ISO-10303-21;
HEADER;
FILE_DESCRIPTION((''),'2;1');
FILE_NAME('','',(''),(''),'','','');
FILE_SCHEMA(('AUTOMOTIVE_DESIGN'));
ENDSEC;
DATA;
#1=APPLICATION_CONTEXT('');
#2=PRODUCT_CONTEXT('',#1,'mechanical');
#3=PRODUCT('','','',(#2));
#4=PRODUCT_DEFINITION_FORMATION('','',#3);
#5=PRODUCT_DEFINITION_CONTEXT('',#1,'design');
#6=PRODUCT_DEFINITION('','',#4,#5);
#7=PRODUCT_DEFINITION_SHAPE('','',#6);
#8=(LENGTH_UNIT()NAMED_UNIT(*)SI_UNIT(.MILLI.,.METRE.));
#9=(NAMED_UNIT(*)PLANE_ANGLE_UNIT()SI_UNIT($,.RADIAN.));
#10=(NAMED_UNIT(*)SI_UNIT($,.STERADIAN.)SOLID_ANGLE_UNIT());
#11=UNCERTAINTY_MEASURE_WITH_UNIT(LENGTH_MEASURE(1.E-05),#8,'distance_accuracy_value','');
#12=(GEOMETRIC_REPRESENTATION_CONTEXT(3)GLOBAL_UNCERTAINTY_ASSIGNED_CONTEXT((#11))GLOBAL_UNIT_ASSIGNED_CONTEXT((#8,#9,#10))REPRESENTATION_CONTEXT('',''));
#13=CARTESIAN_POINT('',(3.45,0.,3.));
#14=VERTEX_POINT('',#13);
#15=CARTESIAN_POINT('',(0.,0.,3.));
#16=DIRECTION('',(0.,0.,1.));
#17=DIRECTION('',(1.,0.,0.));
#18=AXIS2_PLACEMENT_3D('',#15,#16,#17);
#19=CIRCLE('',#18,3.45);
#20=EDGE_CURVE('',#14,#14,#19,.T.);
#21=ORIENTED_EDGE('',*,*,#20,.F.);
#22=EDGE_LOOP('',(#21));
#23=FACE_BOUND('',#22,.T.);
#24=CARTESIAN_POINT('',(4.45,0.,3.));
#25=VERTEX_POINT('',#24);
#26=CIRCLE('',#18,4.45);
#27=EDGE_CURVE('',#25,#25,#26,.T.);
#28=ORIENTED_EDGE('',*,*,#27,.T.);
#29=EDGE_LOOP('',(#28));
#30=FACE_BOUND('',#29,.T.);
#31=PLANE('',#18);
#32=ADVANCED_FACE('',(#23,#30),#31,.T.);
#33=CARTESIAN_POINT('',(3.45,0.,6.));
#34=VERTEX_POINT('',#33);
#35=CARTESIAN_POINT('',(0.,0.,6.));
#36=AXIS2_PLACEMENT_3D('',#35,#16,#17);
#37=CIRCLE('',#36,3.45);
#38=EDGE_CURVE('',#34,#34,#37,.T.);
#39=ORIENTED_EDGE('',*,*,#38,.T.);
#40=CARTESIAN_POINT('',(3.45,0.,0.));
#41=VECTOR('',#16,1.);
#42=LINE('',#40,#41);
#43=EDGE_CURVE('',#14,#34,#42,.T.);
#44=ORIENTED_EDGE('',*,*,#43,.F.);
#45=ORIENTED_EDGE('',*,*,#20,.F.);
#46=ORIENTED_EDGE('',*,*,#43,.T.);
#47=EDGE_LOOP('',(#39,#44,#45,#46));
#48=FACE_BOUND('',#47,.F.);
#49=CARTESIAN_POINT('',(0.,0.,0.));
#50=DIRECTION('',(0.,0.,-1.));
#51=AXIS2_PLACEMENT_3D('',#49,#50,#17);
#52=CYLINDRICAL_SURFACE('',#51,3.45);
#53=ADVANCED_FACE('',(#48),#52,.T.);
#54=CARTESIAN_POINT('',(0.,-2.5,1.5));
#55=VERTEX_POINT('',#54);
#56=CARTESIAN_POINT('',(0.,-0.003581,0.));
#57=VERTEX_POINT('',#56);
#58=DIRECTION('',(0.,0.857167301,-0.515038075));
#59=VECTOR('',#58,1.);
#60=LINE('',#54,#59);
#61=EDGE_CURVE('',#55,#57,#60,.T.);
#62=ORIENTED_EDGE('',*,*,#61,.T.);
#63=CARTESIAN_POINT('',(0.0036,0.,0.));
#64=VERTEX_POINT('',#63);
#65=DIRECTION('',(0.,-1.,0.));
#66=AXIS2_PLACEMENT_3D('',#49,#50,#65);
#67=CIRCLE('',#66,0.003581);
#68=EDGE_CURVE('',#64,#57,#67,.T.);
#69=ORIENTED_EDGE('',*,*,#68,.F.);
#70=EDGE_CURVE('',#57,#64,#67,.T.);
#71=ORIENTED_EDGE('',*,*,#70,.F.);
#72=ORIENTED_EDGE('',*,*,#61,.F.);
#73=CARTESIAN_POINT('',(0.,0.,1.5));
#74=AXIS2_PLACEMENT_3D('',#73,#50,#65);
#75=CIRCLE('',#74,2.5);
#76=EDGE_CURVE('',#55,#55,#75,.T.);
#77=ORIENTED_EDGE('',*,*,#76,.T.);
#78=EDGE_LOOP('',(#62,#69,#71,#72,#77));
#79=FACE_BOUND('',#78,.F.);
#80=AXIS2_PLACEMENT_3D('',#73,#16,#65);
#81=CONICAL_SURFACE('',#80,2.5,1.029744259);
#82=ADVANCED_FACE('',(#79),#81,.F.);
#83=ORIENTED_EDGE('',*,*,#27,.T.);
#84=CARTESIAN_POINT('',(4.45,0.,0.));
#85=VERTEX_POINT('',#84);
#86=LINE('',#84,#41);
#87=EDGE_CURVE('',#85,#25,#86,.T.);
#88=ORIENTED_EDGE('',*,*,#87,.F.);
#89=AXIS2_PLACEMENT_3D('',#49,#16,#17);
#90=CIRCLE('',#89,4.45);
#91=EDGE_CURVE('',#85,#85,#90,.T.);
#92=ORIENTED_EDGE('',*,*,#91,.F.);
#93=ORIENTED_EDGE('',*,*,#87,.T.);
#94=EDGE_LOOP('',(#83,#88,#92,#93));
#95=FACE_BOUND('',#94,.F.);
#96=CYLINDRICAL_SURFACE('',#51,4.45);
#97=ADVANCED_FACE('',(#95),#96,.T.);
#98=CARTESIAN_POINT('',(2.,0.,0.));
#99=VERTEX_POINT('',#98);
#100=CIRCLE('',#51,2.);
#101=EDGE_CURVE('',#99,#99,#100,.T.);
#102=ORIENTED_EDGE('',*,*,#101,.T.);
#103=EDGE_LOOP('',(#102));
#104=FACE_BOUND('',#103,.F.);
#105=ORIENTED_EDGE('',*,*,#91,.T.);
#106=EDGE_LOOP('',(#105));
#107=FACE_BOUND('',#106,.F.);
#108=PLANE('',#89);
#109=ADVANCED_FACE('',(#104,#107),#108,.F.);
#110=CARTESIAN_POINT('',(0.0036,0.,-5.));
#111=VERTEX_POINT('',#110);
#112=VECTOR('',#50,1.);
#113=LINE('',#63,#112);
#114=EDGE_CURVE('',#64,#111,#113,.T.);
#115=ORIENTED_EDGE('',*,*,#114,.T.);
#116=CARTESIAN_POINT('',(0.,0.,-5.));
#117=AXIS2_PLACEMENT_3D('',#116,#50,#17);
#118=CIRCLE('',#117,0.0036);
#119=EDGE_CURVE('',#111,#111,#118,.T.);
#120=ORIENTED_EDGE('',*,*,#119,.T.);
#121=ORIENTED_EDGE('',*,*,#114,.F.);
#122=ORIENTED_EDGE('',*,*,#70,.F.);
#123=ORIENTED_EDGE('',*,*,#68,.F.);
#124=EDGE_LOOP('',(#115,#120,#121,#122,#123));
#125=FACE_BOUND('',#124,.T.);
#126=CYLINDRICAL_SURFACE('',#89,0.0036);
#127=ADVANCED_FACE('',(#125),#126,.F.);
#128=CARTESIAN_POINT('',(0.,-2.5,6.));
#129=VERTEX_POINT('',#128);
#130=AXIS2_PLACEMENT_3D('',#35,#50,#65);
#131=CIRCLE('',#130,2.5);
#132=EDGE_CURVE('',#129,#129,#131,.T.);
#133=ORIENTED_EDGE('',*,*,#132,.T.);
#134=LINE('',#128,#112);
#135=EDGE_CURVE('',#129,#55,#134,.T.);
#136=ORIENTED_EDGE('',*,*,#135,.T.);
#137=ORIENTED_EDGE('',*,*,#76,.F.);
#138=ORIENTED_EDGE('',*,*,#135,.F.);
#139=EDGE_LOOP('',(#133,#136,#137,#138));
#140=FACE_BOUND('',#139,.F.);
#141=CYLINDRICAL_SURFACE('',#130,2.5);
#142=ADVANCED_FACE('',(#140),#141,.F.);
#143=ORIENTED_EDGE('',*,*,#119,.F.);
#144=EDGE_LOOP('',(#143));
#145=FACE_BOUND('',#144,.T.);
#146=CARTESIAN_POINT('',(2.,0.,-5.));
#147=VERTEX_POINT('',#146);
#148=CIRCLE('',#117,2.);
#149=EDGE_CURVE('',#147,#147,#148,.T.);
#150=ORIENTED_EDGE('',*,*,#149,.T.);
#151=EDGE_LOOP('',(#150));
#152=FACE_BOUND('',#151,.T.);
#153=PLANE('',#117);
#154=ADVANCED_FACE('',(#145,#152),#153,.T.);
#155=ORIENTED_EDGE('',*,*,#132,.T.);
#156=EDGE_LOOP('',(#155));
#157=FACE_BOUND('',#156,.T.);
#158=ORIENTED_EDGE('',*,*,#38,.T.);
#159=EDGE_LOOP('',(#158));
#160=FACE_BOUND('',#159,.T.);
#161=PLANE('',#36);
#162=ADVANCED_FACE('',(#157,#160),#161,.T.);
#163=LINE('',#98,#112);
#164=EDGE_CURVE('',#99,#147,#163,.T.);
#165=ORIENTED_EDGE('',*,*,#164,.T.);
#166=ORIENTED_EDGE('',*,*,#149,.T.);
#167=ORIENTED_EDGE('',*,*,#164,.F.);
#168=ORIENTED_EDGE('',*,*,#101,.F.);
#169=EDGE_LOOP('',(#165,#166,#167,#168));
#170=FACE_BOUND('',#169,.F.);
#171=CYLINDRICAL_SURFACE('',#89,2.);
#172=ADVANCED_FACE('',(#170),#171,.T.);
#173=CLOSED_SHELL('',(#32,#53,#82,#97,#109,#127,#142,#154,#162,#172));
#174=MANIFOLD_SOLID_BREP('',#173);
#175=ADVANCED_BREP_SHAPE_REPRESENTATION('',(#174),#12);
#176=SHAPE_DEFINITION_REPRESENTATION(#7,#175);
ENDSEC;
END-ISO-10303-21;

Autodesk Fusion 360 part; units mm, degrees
sketch "Sketch1" plane through (0, 0, 0) normal (0, 0, 1) x (1, 0, 0)
  circle A0 centre (0, 0) radius 3.45
  circle A1 centre (0, 0) radius 4.45
  dimension "d1" = 6.9
  dimension "d2" = 1
extrude "Extrude1" add sketch "Sketch1" along normal blind 3
extrude "Extrude2" add sketch "Sketch1" along normal blind 6 contours A0
sketch "Sketch2" plane through (0, 0, 6) normal (0, 0, 1) x (-1, 0, 0)
  circle A0 centre (0, 0) radius 3.45
  circle A1 centre (-2, 2) radius 0.5
  circle A2 centre (0, 2) radius 0.5
  circle A3 centre (2, 2) radius 0.5
  circle A4 centre (-2, 0) radius 0.5
  circle A5 centre (0, 0) radius 0.5
  circle A6 centre (2, 0) radius 0.5
  circle A7 centre (-2, -2) radius 0.5
  circle A8 centre (0, -2) radius 0.5
  circle A9 centre (2, -2) radius 0.5
  point P0 (-2, 2)
  dimension "d7" = 1
  dimension "d8" = 1
  dimension "d9" = 1
  dimension "d10" = 1
  dimension "d11" = 1
  dimension "d12" = 1
  dimension "d13" = 1
  dimension "d14" = 1
  dimension "d15" = 1
hole "Hole2" at (0, 0, 6) direction (0, 0, -1) diameter 5 depth 4.5 tip angle 118
sketch "Sketch3" plane through (0, 0, 0) normal (0, 0, -1) x (1, 0, 0)
  circle A0 centre (0, 0) radius 0.0036
  circle A1 centre (0, 0) radius 4.45
  circle A2 centre (0, 0) radius 2
  dimension "d22" = 4
extrude "Extrude3" add sketch "Sketch3" along normal blind 5 contours A2
